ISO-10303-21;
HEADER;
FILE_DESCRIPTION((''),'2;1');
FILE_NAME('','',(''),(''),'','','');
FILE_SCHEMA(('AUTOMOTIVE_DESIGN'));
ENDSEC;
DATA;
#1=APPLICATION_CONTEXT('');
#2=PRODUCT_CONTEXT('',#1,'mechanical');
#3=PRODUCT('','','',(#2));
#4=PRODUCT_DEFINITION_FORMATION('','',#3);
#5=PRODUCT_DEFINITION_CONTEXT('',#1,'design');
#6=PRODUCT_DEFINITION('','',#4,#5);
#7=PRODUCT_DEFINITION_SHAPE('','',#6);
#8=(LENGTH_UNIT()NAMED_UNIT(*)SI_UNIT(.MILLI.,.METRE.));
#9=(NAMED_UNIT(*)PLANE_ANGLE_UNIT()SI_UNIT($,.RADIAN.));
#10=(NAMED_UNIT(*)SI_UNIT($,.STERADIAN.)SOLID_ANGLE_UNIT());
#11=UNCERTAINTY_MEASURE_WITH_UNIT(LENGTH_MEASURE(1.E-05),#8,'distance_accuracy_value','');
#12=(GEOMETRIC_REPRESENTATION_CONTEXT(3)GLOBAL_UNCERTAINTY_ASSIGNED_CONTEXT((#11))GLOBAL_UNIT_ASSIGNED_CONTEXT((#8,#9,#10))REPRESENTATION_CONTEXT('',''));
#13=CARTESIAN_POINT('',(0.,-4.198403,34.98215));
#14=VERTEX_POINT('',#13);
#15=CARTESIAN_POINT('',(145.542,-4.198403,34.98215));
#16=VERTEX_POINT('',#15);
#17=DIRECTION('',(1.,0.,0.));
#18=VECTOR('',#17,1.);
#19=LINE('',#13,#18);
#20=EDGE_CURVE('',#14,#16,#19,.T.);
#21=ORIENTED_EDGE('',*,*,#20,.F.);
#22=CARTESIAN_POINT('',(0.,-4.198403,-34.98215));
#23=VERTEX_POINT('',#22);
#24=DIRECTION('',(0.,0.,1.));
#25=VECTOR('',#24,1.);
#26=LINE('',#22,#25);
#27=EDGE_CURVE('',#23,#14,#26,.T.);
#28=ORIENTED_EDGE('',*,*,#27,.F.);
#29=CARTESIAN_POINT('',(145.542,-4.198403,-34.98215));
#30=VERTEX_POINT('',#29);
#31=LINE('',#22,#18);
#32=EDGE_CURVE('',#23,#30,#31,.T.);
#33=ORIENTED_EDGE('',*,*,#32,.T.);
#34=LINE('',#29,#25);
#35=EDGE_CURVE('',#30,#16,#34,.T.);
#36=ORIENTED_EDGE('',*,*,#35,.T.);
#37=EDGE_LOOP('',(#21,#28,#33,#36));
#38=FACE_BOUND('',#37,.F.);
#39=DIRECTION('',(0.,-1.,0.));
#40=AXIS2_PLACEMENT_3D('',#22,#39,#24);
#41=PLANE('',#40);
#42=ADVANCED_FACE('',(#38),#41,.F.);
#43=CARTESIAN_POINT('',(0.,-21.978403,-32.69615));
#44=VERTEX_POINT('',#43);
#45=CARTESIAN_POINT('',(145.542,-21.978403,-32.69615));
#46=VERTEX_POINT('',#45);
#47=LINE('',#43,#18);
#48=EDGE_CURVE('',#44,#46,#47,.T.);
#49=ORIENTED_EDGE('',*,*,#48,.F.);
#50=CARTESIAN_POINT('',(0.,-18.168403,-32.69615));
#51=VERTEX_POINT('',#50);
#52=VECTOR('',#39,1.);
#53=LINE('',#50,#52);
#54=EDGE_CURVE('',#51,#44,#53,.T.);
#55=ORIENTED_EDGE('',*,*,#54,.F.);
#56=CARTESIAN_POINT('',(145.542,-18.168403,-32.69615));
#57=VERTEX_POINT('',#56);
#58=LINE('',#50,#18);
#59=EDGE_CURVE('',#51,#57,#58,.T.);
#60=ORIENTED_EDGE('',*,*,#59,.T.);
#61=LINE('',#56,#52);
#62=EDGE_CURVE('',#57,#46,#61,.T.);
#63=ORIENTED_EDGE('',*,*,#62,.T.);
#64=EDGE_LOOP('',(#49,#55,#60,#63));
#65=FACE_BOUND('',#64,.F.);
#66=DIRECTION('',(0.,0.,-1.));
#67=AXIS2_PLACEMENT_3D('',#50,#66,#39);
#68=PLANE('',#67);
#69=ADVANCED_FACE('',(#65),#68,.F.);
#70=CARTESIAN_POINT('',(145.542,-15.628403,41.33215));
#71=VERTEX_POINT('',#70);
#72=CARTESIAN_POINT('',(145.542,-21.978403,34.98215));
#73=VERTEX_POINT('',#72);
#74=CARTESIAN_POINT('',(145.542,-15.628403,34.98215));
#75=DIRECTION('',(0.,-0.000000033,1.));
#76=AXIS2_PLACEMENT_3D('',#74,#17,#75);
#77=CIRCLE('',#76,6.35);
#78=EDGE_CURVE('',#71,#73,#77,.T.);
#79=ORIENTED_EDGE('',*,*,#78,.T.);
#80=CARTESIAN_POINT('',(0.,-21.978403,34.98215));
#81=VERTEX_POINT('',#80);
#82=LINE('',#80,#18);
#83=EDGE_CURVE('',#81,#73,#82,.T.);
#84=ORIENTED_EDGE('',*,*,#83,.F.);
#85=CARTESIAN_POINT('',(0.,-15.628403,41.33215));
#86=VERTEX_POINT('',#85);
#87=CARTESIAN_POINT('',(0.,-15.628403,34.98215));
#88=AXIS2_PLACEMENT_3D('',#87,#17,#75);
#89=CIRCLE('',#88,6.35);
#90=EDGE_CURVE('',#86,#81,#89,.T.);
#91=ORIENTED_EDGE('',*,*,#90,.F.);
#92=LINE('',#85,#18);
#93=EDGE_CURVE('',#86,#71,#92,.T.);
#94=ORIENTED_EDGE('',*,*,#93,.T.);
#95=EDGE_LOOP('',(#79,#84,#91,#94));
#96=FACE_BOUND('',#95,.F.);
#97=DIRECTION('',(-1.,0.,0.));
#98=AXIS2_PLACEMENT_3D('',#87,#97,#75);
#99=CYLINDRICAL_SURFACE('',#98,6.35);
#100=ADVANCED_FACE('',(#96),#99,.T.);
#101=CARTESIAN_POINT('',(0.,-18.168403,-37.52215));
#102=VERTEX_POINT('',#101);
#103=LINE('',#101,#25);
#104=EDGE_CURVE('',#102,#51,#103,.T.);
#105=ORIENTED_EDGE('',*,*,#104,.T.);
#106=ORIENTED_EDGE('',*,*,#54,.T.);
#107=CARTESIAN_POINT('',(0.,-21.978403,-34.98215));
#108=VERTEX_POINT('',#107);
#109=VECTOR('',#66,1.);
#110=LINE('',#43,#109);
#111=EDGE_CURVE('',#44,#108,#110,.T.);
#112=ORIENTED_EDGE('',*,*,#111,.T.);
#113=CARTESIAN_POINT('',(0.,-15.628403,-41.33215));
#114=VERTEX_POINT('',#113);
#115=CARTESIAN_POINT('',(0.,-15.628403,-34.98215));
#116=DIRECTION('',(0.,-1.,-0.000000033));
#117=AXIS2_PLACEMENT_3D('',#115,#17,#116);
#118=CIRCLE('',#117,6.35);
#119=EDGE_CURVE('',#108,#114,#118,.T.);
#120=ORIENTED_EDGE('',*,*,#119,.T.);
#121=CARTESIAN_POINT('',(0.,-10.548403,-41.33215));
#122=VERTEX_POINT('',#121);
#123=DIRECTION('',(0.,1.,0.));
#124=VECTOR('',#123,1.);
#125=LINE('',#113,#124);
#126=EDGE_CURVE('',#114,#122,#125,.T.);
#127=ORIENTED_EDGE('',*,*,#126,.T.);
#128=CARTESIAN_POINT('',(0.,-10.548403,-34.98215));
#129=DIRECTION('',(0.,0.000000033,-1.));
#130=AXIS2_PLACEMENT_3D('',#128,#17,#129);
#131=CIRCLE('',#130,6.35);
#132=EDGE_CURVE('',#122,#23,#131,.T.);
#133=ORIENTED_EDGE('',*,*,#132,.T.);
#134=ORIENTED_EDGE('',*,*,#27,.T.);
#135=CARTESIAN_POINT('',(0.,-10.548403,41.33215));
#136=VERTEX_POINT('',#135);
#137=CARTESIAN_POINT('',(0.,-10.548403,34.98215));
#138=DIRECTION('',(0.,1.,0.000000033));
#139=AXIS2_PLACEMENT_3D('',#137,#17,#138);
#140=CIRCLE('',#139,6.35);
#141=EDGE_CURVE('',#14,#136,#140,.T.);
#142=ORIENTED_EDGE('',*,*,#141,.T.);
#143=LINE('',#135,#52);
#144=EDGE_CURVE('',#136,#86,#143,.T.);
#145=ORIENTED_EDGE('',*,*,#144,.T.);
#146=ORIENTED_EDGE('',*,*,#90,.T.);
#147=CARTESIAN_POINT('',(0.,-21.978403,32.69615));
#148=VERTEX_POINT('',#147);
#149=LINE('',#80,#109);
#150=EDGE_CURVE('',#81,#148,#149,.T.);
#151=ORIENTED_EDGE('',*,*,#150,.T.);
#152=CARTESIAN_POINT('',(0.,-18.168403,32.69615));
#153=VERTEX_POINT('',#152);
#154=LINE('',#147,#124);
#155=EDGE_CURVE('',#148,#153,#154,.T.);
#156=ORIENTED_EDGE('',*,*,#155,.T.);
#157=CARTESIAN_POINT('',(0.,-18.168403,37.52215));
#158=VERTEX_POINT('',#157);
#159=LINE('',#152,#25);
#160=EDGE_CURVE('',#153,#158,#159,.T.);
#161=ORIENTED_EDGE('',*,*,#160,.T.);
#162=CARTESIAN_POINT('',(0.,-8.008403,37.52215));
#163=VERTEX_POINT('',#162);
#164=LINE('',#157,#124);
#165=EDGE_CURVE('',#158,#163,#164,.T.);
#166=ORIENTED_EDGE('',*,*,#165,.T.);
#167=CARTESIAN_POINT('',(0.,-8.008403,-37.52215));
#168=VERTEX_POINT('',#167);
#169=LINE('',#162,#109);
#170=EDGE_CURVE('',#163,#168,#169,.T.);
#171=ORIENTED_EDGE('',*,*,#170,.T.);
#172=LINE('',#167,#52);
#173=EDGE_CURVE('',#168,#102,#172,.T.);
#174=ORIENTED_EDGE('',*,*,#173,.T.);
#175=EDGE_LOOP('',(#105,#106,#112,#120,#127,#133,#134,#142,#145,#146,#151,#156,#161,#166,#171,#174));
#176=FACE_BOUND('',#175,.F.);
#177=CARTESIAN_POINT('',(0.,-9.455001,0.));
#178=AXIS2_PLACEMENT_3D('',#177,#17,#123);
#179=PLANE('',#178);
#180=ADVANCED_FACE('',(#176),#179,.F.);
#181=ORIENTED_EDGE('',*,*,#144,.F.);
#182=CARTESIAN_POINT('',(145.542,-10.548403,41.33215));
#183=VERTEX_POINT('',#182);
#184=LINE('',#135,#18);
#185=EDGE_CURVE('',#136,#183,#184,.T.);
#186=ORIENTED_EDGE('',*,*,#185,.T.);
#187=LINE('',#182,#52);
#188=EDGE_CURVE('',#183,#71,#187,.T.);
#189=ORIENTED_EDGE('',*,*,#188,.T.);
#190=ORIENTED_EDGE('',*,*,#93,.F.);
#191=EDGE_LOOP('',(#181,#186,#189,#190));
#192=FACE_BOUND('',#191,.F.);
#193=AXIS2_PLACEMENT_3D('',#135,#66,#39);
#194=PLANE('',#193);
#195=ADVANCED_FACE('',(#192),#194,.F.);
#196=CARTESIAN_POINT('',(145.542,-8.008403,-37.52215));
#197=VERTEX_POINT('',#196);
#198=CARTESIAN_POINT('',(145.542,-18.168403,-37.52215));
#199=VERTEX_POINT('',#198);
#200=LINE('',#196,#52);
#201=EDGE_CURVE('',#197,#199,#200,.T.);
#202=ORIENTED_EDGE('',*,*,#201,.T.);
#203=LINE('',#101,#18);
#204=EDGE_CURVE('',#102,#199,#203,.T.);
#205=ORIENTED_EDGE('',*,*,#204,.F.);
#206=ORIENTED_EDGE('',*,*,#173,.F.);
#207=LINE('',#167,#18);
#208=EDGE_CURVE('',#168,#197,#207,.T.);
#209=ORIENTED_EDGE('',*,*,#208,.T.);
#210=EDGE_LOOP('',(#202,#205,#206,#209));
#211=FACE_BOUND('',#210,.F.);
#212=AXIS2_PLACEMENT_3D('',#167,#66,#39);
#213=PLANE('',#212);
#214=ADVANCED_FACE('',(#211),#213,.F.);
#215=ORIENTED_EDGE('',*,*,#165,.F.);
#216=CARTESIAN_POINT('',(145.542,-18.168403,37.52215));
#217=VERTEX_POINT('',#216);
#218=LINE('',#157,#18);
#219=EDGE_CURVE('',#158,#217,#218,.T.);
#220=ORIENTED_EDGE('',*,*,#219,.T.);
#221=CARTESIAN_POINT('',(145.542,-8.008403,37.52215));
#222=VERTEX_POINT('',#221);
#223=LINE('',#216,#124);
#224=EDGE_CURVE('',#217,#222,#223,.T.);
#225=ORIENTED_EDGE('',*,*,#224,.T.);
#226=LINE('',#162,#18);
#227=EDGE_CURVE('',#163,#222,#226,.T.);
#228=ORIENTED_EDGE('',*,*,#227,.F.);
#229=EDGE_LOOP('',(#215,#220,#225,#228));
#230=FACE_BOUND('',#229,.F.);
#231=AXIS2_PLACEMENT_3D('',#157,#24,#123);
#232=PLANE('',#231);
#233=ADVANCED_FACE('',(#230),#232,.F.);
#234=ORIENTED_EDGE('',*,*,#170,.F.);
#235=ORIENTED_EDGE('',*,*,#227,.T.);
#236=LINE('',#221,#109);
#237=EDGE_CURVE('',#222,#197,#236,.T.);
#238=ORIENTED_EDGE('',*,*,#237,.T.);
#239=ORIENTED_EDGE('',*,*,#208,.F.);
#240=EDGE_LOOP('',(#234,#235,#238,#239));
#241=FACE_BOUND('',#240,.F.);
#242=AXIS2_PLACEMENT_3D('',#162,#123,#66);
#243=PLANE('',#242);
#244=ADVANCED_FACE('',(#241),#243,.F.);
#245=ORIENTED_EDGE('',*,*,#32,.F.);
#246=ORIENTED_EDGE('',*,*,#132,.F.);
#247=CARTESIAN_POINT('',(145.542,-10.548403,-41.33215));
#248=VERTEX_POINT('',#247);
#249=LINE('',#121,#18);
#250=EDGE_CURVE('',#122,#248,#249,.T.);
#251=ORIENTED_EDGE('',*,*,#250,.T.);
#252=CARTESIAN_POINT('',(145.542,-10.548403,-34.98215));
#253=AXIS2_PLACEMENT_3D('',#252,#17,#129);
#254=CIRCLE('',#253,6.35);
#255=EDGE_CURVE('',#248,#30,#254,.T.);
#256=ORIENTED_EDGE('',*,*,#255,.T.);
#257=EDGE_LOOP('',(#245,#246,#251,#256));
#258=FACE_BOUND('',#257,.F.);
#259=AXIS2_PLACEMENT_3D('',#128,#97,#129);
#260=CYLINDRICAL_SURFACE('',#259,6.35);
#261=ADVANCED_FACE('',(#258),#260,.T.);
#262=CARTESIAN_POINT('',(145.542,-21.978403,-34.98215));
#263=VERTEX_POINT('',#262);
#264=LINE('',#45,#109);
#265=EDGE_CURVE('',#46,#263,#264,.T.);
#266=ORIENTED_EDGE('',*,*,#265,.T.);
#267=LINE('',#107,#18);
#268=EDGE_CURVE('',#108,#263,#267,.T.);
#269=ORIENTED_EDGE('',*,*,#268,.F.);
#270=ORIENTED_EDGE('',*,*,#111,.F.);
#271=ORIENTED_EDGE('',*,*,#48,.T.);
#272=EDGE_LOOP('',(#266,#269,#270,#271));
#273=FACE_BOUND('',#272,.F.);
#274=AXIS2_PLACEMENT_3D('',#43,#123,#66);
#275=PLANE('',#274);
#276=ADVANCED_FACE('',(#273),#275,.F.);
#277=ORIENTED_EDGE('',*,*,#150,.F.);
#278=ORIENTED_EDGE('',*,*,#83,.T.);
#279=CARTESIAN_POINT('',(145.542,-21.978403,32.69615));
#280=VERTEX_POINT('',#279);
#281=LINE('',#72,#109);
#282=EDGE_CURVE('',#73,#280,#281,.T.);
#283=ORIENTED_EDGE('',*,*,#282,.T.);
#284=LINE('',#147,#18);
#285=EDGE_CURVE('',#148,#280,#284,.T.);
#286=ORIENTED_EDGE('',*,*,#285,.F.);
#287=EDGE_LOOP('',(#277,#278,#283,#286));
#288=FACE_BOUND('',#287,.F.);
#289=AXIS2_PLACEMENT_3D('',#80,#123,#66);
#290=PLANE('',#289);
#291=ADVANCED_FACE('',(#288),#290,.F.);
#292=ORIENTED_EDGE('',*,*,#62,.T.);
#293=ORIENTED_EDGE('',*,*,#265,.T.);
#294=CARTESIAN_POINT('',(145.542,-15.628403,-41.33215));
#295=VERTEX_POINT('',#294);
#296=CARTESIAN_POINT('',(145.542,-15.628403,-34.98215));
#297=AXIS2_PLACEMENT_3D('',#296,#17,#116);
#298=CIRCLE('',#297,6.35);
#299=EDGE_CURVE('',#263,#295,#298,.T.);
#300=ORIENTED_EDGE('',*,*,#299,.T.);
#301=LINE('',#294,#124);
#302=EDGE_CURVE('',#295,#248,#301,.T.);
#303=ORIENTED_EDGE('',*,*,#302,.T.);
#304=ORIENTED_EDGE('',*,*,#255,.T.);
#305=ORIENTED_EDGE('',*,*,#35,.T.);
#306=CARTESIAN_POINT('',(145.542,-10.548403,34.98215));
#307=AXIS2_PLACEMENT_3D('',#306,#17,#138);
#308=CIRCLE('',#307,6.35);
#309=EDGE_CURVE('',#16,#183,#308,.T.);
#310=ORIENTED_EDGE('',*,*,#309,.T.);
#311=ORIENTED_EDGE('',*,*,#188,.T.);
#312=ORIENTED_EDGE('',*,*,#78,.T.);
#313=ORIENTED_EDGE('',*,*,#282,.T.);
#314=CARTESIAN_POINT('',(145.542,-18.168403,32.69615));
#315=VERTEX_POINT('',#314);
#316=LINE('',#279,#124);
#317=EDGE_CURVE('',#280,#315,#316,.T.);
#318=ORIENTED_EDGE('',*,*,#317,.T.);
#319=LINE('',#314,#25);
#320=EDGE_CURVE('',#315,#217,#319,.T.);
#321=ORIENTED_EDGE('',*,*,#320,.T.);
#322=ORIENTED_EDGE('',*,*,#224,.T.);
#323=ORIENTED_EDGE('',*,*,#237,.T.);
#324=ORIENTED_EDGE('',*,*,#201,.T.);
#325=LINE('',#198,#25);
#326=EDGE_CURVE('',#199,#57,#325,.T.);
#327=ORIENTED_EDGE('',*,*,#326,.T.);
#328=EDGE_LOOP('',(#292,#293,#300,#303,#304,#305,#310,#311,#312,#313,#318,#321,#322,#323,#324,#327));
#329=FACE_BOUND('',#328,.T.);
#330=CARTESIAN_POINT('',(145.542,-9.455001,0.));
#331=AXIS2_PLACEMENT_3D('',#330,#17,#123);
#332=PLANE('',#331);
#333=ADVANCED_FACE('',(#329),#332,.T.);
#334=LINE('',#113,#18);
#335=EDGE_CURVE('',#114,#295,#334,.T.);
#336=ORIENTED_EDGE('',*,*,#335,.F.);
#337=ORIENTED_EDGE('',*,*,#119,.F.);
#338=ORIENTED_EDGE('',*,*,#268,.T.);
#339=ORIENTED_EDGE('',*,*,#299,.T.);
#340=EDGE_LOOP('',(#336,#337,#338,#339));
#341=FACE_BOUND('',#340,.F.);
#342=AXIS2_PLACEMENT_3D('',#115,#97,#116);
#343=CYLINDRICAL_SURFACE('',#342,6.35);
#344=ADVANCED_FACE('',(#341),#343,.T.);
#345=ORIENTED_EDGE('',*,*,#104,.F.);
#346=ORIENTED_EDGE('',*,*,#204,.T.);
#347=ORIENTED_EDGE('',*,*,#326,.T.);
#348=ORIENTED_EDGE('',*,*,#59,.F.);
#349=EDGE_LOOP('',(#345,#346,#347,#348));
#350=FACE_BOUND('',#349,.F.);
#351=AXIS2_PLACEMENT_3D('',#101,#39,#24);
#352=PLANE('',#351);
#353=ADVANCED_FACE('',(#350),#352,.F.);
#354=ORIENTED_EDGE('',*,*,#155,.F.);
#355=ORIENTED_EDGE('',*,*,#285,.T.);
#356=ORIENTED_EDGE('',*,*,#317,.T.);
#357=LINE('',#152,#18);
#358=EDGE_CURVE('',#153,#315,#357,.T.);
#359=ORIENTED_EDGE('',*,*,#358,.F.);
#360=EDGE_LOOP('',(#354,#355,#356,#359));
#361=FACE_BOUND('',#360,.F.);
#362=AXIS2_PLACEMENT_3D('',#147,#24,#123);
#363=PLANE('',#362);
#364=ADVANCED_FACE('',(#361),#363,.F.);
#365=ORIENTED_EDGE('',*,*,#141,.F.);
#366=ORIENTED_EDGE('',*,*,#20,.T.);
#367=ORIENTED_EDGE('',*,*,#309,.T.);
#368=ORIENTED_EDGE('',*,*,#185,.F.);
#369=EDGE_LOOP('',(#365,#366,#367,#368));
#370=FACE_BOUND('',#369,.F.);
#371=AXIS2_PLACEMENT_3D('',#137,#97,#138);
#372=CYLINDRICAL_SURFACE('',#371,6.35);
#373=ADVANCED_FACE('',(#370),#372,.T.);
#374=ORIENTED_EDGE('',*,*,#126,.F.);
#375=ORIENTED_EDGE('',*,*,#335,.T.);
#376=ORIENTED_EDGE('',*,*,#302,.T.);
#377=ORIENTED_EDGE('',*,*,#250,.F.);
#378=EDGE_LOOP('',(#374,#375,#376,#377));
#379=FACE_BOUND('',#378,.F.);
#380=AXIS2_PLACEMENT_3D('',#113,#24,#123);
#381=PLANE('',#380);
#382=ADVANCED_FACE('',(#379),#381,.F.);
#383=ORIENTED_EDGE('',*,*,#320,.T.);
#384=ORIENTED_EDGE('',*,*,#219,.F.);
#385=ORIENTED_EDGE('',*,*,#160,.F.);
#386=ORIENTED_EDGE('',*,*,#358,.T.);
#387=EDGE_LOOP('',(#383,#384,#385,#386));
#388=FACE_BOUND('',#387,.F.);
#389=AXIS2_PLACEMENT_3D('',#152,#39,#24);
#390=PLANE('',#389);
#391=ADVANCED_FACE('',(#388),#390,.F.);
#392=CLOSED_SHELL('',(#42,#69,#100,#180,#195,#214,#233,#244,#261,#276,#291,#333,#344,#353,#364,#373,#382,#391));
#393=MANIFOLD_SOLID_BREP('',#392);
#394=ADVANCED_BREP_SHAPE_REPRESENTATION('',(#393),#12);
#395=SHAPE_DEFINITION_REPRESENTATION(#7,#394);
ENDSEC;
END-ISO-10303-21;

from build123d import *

# Parameters (mm, degrees)
F1_DEPTH = 145.542


with BuildPart() as f1:
    # F0 (on Right) → F1 (new body)
    with BuildSketch(Plane.YZ):
        with BuildLine():
            Line((-8.008403, 37.52215), (-8.008403, 0))
            Line((-8.008403, 0), (-8.008403, -37.52215))
            Line((-8.008403, -37.52215), (-18.168403, -37.52215))
            Line((-18.168403, -37.52215), (-18.168403, -32.69615))
            Line((-18.168403, -32.69615), (-21.978403, -32.69615))
            Line((-21.978403, -32.69615), (-21.978403, -34.98215))
            ThreePointArc((-21.978403, -34.98215), (-20.118531, -39.472278), (-15.628403, -41.33215))
            Line((-15.628403, -41.33215), (-10.548403, -41.33215))
            ThreePointArc((-10.548403, -41.33215), (-6.058275, -39.472278), (-4.198403, -34.98215))
            Line((-4.198403, -34.98215), (-4.198403, 0))
            Line((-4.198403, 0), (-4.198403, 34.98215))
            ThreePointArc((-4.198403, 34.98215), (-6.058275, 39.472278), (-10.548403, 41.33215))
            Line((-10.548403, 41.33215), (-15.628403, 41.33215))
            ThreePointArc((-15.628403, 41.33215), (-20.118531, 39.472278), (-21.978403, 34.98215))
            Line((-21.978403, 34.98215), (-21.978403, 32.69615))
            Line((-21.978403, 32.69615), (-18.168403, 32.69615))
            Line((-18.168403, 32.69615), (-18.168403, 37.52215))
            Line((-18.168403, 37.52215), (-8.008403, 37.52215))
        make_face()
    extrude(amount=F1_DEPTH)


solid = f1.part
